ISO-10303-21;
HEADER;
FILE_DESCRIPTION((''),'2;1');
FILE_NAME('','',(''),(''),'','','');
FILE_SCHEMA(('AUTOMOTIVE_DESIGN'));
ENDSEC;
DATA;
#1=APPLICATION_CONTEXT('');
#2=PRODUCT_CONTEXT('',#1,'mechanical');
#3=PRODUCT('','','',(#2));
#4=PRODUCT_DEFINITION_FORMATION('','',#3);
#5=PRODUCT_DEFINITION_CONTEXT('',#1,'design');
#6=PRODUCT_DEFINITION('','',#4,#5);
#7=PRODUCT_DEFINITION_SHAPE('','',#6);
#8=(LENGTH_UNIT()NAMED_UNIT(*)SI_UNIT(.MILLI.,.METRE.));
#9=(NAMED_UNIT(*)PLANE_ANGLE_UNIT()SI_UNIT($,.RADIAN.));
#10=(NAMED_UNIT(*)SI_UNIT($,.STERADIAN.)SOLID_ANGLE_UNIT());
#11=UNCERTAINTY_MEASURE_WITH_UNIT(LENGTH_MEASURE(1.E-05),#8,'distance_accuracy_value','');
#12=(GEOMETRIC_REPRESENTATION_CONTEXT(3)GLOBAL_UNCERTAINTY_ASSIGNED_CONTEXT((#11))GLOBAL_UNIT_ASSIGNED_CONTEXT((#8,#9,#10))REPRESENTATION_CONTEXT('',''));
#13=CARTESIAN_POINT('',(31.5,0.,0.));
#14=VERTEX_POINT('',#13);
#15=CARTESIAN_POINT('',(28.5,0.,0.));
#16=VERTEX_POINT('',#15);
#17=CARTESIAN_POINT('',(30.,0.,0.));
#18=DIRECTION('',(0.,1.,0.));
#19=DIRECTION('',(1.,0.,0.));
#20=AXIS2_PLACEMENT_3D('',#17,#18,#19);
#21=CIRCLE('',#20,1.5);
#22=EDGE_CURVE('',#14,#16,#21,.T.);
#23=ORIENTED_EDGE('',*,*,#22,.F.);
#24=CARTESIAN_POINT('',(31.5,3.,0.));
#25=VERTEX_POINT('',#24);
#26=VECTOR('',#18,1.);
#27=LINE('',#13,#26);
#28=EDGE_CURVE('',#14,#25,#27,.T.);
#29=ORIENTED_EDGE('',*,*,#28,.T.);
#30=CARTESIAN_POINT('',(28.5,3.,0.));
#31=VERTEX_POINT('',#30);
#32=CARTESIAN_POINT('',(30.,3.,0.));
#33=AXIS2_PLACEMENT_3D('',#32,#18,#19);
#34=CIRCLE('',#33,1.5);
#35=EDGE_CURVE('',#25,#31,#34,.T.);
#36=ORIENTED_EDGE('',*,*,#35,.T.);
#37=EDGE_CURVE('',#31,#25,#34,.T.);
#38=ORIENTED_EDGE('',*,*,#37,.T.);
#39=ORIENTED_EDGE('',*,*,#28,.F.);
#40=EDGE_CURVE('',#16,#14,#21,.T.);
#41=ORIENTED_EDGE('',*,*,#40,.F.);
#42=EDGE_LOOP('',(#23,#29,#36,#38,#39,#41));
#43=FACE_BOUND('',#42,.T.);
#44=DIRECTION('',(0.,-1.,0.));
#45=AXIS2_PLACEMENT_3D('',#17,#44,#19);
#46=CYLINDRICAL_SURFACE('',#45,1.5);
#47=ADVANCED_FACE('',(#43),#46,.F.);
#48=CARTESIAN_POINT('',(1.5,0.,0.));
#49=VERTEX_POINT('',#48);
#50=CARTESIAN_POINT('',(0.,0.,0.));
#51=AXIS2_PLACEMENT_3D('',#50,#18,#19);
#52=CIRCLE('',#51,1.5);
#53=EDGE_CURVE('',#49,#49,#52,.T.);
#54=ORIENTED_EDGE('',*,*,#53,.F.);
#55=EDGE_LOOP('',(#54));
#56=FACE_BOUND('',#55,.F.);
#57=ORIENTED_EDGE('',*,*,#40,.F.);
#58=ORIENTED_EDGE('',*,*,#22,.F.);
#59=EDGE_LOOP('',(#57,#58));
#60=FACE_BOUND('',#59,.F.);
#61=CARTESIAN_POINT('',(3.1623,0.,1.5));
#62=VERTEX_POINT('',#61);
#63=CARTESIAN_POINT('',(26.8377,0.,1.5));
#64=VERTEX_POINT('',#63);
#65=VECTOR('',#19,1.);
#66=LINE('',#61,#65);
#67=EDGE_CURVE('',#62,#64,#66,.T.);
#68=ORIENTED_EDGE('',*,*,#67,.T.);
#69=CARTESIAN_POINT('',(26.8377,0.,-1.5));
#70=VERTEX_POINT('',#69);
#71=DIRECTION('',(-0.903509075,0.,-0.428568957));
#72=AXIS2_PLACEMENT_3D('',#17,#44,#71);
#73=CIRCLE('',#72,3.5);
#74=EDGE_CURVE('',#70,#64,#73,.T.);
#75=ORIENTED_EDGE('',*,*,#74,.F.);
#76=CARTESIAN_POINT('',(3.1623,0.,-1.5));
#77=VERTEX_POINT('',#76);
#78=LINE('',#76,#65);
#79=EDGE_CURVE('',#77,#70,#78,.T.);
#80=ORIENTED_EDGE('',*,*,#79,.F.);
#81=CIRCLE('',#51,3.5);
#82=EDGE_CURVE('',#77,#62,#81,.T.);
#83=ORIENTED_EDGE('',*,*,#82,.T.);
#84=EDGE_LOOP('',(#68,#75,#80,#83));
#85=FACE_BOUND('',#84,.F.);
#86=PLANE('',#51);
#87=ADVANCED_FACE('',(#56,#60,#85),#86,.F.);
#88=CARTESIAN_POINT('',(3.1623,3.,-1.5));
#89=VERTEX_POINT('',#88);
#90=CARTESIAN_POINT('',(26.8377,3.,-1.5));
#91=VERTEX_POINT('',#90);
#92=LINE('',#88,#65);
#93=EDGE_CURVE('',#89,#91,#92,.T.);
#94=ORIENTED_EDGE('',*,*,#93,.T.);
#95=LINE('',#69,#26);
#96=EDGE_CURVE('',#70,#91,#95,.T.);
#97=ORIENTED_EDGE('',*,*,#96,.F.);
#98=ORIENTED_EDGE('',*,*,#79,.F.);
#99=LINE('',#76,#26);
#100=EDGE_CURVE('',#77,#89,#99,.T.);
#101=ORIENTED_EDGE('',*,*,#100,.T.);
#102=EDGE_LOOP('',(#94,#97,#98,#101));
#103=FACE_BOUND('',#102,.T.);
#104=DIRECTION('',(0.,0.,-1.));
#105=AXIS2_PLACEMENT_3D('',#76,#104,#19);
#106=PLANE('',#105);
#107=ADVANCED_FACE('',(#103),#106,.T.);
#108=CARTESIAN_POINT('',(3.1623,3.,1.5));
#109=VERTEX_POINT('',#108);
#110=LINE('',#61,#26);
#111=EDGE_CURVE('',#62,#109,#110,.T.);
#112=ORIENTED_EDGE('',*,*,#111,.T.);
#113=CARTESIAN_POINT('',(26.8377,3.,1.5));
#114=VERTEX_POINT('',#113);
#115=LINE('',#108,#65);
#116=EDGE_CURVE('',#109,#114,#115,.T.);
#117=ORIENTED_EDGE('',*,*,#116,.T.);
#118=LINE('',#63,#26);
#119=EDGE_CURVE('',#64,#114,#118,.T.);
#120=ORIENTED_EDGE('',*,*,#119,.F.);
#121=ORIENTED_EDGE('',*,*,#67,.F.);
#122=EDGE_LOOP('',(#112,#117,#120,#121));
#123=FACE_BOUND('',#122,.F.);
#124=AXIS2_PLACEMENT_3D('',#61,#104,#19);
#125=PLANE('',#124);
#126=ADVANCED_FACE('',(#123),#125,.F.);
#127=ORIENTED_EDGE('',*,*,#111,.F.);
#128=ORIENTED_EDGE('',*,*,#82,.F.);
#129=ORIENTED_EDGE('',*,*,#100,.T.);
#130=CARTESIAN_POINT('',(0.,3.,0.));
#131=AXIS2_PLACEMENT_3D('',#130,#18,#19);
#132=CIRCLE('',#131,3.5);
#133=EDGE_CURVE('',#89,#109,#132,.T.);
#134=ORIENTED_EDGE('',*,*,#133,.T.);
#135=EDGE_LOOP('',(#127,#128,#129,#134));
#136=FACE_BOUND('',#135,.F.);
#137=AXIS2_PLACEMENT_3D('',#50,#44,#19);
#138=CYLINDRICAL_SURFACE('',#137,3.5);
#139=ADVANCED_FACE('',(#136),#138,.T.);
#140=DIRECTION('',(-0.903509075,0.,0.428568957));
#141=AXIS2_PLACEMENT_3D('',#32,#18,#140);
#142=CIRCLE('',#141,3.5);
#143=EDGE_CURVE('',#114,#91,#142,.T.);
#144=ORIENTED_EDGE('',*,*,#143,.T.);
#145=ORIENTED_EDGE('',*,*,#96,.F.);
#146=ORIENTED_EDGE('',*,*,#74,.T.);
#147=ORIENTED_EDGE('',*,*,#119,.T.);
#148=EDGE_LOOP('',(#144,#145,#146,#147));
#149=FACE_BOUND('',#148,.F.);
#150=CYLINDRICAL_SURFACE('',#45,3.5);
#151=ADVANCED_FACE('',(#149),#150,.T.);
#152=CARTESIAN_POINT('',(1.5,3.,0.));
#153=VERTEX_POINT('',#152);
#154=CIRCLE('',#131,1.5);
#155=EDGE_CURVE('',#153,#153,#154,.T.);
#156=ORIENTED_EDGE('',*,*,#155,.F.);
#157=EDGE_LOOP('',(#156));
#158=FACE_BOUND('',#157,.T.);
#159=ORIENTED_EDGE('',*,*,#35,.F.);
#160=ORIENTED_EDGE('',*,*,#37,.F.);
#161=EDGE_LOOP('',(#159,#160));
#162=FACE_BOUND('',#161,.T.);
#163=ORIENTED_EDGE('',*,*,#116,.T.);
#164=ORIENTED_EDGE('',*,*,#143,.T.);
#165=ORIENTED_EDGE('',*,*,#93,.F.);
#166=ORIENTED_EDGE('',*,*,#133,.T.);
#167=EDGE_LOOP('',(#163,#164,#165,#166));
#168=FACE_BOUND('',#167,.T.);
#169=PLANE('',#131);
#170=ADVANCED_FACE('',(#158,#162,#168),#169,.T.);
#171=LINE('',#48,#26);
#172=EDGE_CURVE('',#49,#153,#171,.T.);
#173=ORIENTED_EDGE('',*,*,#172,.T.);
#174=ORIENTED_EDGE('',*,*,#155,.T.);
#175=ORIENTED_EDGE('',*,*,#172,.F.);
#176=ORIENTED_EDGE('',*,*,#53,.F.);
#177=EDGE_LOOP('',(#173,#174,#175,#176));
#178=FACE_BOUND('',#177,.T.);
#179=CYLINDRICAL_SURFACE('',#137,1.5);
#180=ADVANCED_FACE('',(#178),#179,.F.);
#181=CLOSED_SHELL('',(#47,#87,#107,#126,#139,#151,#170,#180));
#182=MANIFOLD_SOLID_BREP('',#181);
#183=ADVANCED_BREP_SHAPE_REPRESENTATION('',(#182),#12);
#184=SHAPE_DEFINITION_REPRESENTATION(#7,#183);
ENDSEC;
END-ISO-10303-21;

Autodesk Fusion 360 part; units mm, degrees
sketch "Sketch1" plane through (0, 0, 0) normal (0, 1, 0) x (1, 0, 0)
  circle A0 centre (0, 0) radius 3.5
  circle A1 centre (0, 0) radius 1.5
  circle A2 centre (30, 0) radius 1.5
  circle A3 centre (30, 0) radius 3.5
  line L0 (0, 0) -> (30, 0)
  line L1 (3.1623, 1.5) -> (26.8377, 1.5)
  line L2 (3.1623, -1.5) -> (26.8377, -1.5)
  dimension "d1" = 3
  dimension "d2" = 7
  dimension "d3" = 3
  dimension "d4" = 7
  dimension "d5" = 30
  dimension "d6" = 1.5
  dimension "d7" = 1.5
extrude "Extrude1" add sketch "Sketch1" along normal blind 3
